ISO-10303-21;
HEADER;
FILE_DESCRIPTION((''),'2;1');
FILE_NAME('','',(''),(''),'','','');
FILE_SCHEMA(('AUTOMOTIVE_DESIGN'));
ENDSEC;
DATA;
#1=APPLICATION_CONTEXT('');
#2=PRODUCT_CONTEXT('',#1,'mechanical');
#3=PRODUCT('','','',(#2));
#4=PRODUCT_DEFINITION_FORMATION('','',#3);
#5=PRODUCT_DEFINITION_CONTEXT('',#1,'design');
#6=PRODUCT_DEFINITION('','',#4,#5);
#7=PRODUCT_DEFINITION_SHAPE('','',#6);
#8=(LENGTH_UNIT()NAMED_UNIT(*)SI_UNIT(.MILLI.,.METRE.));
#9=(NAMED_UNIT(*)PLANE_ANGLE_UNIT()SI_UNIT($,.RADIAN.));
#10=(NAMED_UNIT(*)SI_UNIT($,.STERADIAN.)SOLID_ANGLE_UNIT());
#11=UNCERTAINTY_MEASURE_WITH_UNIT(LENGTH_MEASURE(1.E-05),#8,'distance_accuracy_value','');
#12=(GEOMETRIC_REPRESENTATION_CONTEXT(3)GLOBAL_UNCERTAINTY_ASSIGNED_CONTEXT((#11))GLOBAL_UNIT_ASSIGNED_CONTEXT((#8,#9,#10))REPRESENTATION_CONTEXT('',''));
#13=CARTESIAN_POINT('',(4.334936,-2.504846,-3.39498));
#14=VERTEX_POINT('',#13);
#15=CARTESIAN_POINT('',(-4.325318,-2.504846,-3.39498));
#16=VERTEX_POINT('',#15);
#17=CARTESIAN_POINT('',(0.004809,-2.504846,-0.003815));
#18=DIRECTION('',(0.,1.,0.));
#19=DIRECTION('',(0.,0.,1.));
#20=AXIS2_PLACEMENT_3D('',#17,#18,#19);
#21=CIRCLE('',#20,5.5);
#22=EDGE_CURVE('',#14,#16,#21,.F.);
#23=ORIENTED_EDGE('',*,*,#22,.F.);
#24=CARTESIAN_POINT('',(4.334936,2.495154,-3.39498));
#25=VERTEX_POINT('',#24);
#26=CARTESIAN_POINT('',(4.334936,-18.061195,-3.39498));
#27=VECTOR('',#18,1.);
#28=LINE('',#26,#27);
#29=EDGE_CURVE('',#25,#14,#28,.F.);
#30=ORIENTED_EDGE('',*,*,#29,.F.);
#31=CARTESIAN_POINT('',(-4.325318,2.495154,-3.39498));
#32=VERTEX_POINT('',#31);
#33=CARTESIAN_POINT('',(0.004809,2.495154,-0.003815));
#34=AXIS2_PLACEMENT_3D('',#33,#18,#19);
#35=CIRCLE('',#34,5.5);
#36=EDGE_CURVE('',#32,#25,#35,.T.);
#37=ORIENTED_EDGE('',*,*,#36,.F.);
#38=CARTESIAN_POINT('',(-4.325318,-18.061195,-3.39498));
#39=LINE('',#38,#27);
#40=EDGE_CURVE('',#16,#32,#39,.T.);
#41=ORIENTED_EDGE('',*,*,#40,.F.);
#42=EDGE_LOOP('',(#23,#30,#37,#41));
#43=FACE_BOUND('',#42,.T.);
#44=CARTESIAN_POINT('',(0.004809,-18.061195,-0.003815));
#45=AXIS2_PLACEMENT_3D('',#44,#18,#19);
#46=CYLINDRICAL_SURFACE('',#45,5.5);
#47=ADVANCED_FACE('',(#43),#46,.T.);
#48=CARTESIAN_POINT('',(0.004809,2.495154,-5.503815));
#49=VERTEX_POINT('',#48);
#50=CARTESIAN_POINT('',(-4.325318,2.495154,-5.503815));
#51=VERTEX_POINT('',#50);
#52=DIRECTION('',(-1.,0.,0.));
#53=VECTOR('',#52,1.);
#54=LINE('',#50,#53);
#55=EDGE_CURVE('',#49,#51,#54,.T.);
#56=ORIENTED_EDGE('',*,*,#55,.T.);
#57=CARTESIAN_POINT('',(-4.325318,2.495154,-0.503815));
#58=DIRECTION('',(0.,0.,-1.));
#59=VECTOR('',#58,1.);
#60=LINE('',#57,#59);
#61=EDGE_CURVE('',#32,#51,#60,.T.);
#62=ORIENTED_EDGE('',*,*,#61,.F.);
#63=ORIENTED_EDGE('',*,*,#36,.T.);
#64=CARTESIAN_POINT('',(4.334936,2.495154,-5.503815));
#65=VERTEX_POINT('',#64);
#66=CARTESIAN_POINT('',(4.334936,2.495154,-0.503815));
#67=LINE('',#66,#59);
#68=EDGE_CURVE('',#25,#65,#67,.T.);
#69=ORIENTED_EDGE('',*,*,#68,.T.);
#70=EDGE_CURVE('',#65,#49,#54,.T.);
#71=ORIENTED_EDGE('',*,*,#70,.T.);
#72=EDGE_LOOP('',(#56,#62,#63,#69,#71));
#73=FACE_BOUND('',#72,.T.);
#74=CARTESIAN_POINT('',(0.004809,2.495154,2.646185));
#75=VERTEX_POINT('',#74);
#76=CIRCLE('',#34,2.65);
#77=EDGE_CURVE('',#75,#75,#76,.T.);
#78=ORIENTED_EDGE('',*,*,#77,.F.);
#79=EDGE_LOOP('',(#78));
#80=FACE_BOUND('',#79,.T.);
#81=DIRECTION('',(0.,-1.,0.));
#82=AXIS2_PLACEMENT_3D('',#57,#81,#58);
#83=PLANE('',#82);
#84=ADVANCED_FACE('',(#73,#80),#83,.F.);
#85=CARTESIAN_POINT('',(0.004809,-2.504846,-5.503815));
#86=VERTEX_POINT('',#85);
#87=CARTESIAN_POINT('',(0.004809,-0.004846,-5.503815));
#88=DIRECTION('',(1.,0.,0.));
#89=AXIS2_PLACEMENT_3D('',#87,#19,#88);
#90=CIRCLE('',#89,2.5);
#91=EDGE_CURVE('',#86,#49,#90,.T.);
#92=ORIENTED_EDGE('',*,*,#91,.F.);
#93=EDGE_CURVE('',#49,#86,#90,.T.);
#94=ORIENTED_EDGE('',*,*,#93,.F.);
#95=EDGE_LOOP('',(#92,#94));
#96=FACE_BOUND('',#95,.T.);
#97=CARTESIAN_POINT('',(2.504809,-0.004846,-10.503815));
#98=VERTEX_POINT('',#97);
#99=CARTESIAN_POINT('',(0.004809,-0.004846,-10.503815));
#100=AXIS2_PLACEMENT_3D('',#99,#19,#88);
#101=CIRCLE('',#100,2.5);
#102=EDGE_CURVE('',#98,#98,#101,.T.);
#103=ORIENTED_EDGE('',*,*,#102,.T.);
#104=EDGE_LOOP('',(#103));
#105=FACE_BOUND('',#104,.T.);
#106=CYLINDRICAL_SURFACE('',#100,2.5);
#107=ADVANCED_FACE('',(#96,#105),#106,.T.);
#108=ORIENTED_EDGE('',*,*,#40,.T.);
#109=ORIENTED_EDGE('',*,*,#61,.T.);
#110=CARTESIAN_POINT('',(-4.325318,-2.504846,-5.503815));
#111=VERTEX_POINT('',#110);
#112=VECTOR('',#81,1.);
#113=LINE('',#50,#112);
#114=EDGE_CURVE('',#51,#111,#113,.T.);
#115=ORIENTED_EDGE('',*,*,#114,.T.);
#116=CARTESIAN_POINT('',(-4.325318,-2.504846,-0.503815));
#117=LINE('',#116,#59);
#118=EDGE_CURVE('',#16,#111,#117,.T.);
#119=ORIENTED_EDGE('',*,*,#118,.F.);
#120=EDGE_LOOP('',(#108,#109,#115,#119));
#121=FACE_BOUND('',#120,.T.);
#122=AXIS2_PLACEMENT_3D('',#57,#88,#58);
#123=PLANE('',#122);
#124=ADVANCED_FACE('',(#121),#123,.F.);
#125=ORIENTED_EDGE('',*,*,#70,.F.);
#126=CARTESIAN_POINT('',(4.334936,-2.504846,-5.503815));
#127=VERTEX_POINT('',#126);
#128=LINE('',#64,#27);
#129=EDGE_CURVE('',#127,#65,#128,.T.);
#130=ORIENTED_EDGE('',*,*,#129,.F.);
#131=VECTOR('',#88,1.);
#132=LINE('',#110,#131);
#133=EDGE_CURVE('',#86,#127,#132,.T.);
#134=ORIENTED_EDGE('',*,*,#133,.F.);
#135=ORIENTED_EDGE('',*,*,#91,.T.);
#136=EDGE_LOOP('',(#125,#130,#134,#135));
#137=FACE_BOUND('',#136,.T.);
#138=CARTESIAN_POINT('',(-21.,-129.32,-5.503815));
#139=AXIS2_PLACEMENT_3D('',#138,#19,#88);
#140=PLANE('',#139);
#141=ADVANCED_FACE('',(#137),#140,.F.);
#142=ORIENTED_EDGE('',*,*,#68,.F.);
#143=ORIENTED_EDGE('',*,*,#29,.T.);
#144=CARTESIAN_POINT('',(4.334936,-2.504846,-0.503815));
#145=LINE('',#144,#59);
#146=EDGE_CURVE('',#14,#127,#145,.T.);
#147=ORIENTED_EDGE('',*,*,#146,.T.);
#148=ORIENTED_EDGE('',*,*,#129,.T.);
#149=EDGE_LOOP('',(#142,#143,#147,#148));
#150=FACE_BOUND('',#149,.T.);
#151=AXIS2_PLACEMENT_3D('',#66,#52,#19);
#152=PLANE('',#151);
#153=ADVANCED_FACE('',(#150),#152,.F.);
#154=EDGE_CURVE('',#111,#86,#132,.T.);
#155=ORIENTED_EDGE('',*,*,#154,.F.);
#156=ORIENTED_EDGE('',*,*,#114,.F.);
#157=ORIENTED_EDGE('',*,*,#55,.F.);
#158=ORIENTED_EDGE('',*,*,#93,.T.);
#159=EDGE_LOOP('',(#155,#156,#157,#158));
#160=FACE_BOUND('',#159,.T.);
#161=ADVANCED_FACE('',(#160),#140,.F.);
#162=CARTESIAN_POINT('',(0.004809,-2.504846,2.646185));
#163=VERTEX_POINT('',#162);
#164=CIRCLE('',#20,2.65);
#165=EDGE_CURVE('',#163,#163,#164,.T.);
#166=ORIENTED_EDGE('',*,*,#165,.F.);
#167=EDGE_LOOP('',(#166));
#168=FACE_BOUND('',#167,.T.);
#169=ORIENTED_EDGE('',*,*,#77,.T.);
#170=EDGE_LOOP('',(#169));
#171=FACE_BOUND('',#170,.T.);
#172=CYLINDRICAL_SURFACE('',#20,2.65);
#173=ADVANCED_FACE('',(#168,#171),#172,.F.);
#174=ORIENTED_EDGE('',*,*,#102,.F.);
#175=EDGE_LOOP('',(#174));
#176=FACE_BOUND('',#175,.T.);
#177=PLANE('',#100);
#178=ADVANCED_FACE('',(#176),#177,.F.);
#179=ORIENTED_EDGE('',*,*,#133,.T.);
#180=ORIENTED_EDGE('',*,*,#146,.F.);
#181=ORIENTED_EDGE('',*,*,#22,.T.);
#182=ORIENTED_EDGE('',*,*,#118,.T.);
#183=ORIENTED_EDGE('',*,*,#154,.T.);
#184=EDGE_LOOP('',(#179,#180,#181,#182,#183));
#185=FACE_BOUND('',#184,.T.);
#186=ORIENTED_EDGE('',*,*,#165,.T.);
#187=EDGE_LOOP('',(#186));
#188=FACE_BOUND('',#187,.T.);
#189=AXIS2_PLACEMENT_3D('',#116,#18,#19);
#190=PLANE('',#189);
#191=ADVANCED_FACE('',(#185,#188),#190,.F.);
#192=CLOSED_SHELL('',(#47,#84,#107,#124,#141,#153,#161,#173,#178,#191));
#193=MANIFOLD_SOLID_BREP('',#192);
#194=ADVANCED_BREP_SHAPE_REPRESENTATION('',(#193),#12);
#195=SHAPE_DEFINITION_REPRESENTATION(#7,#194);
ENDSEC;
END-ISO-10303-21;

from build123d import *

# Parameters (mm, degrees)
SKETCH1_R           = 2.5
BOSS_EXTRUDE1_DEPTH = 5
SKETCH2_W           = 8.660254038
SKETCH2_H           = 5
BOSS_EXTRUDE2_DEPTH = 5
SKETCH3_R           = 5.5
BOSS_EXTRUDE3_DEPTH = 5
SKETCH4_R           = 2.65
CUT_EXTRUDE1_DEPTH  = 31.205316798


with BuildPart() as part:
    # Sketch1 → Boss-Extrude1 (new body)
    with BuildSketch(Plane.XY.offset(2.596184677)):
        with Locations((21.004809472, 129.315154096)):
            Circle(SKETCH1_R)
    extrude(amount=-BOSS_EXTRUDE1_DEPTH)

    # Sketch2 → Boss-Extrude2 (add)
    with BuildSketch(Plane.XY.offset(2.596184677)):
        with Locations((21.004809472, 129.315154096)):
            Rectangle(SKETCH2_W, SKETCH2_H)
    extrude(amount=BOSS_EXTRUDE2_DEPTH)

    # Sketch3 → Boss-Extrude3 (add)
    with BuildSketch(Plane(origin=(0, 131.815154096, 0), x_dir=(1, 0, 0), z_dir=(0, 1, 0))):
        with Locations((21.004809472, -8.096184677)):
            Circle(SKETCH3_R)
    extrude(amount=-BOSS_EXTRUDE3_DEPTH)

    # Sketch4 → Cut-Extrude1 (cut, through all)
    with BuildSketch(Plane(origin=(0, 131.815154096, 0), x_dir=(1, 0, 0), z_dir=(0, 1, 0))):
        with Locations(Location((21.004809472, -8.096184677, 0), (0, 0, 270))):
            Circle(SKETCH4_R)
    extrude(amount=-CUT_EXTRUDE1_DEPTH, mode=Mode.SUBTRACT)


with BuildPart() as part_1:
    # Body-Move/Copy1: moved
    add(part.part.moved(Location((-21, -129.32, -8.1))))


solid = part_1.part
